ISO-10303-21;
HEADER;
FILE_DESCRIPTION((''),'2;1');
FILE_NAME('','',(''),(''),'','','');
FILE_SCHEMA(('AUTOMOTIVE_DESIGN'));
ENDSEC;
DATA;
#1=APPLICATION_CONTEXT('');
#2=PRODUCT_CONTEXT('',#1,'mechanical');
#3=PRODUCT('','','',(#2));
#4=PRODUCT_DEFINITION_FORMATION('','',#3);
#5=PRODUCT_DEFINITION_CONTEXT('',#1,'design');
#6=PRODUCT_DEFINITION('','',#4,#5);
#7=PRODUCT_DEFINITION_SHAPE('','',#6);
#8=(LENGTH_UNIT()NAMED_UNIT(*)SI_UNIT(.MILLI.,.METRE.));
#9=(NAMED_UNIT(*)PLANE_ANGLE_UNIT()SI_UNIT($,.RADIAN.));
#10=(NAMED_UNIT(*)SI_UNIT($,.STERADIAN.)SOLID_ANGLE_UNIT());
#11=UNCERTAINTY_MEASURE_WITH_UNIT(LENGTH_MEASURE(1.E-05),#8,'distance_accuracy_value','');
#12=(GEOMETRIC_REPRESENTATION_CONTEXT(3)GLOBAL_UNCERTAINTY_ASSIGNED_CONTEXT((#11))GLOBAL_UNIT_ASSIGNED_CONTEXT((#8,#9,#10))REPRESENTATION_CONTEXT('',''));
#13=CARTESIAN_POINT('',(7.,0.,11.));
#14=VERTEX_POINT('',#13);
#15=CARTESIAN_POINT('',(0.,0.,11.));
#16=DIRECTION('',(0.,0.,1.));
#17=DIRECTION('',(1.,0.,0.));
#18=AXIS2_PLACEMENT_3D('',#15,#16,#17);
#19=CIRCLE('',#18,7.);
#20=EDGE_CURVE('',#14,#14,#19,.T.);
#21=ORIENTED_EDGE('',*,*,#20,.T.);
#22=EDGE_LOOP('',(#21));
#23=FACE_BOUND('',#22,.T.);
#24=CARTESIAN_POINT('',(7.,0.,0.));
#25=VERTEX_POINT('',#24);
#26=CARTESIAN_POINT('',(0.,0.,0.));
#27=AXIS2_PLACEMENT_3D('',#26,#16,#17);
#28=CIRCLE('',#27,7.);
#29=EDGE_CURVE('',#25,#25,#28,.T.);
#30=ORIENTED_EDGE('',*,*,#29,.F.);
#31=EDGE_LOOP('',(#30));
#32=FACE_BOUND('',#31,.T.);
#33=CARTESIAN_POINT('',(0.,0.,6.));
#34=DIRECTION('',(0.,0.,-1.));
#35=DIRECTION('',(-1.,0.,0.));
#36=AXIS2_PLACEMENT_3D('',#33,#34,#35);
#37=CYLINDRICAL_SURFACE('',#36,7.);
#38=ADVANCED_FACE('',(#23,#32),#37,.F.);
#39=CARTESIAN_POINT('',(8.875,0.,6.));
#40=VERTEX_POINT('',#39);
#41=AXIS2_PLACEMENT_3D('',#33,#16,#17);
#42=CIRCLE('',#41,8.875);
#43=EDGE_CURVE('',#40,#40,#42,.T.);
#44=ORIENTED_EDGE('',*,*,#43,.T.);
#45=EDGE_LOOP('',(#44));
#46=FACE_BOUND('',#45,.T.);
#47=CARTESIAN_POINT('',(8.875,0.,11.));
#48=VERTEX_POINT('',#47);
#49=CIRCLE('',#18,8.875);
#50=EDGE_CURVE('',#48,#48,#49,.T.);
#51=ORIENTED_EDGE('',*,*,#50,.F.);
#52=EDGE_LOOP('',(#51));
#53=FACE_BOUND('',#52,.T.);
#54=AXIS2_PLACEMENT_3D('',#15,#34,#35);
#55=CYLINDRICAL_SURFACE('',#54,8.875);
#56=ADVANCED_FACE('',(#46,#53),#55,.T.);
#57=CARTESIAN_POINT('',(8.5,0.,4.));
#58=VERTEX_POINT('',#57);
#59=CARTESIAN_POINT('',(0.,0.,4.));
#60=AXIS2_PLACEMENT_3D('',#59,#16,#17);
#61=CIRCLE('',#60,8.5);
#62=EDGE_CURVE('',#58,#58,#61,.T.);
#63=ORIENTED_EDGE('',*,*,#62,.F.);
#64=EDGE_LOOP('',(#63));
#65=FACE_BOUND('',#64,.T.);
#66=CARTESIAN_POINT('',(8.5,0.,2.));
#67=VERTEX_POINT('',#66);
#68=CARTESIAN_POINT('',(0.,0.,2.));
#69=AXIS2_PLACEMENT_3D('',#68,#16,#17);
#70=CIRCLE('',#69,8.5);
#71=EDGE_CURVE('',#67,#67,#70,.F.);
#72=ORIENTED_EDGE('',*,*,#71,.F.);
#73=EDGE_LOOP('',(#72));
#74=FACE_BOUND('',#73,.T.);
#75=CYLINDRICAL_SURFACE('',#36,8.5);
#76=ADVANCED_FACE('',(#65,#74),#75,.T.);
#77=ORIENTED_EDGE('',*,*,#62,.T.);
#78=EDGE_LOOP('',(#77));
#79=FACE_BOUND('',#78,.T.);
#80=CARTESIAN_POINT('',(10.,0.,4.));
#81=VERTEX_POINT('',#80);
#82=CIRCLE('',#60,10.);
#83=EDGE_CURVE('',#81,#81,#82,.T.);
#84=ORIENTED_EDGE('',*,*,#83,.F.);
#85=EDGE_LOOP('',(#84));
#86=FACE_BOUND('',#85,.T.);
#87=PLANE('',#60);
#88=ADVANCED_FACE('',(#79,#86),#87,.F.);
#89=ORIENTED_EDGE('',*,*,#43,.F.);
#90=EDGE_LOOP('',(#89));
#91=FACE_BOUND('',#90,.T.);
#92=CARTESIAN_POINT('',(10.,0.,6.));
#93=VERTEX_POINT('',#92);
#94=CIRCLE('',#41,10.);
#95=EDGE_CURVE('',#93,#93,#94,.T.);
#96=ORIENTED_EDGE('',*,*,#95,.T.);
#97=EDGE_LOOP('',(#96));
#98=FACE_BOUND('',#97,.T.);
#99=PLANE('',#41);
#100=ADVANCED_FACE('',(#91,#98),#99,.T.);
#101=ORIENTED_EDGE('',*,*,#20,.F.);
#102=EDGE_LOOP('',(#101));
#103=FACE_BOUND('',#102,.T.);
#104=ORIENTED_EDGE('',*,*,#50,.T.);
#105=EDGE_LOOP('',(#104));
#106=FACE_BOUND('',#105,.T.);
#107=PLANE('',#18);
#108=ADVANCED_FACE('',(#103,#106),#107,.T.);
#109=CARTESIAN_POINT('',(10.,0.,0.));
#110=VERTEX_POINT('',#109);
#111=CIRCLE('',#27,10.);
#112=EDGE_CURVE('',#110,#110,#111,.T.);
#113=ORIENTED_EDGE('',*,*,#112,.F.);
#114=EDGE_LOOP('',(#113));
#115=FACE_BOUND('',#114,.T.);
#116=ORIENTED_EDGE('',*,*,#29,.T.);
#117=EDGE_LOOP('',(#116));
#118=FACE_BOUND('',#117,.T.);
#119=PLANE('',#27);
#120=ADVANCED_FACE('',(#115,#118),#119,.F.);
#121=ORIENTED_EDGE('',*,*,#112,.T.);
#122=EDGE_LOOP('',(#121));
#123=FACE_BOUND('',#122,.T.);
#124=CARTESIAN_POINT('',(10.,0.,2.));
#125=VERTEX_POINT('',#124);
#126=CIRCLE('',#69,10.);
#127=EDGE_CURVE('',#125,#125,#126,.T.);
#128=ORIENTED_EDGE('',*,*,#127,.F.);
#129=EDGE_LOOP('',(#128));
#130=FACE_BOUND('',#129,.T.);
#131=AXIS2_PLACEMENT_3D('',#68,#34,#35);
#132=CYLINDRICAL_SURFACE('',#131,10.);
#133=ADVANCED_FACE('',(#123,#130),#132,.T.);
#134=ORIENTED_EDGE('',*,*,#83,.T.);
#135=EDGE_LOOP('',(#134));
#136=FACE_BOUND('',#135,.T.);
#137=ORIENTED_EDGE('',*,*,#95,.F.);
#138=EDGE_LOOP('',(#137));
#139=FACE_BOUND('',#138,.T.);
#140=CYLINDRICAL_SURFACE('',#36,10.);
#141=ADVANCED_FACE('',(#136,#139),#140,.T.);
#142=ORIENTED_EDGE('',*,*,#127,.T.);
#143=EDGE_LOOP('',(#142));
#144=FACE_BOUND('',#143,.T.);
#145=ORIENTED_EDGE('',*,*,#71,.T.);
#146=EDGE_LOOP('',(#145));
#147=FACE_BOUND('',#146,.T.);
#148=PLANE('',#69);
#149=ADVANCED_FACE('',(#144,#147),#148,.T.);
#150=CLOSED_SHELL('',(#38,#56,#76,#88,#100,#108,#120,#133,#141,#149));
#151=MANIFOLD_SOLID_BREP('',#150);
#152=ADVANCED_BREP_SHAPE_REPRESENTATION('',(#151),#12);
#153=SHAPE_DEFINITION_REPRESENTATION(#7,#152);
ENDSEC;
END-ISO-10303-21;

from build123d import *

# Parameters (mm, degrees)
SKETCH1_R           = 10
BOSS_EXTRUDE1_DEPTH = 2
SKETCH2_R           = 8.5
BOSS_EXTRUDE2_DEPTH = 6
BOSS_EXTRUDE3_START = 4
SKETCH3_R           = 10
BOSS_EXTRUDE3_DEPTH = 2
SKETCH5_R           = 7
CUT_EXTRUDE2_DEPTH  = 16.362291496
BOSS_EXTRUDE4_START = 6
SKETCH6_R           = 8.875
SKETCH6_R_2         = 7
BOSS_EXTRUDE4_DEPTH = 5


with BuildPart() as part:
    # Sketch1 → Boss-Extrude1 (new body)
    with BuildSketch(Plane.XY):
        Circle(SKETCH1_R)
    extrude(amount=BOSS_EXTRUDE1_DEPTH)

    # Sketch2 → Boss-Extrude2 (add)
    with BuildSketch(Plane.XY):
        Circle(SKETCH2_R)
    extrude(amount=BOSS_EXTRUDE2_DEPTH)

    # Sketch3 → Boss-Extrude3 (add)
    with BuildSketch(Plane.XY.offset(BOSS_EXTRUDE3_START)):
        Circle(SKETCH3_R)
    extrude(amount=BOSS_EXTRUDE3_DEPTH)

    # Sketch5 → Cut-Extrude2 (cut, through all)
    with BuildSketch(Plane.XY):
        Circle(SKETCH5_R)
    extrude(amount=CUT_EXTRUDE2_DEPTH, mode=Mode.SUBTRACT)

    # Sketch6 → Boss-Extrude4 (add)
    with BuildSketch(Plane.XY.offset(BOSS_EXTRUDE4_START)):
        Circle(SKETCH6_R)
        Circle(SKETCH6_R_2, mode=Mode.SUBTRACT)
    extrude(amount=BOSS_EXTRUDE4_DEPTH)


solid = part.part
